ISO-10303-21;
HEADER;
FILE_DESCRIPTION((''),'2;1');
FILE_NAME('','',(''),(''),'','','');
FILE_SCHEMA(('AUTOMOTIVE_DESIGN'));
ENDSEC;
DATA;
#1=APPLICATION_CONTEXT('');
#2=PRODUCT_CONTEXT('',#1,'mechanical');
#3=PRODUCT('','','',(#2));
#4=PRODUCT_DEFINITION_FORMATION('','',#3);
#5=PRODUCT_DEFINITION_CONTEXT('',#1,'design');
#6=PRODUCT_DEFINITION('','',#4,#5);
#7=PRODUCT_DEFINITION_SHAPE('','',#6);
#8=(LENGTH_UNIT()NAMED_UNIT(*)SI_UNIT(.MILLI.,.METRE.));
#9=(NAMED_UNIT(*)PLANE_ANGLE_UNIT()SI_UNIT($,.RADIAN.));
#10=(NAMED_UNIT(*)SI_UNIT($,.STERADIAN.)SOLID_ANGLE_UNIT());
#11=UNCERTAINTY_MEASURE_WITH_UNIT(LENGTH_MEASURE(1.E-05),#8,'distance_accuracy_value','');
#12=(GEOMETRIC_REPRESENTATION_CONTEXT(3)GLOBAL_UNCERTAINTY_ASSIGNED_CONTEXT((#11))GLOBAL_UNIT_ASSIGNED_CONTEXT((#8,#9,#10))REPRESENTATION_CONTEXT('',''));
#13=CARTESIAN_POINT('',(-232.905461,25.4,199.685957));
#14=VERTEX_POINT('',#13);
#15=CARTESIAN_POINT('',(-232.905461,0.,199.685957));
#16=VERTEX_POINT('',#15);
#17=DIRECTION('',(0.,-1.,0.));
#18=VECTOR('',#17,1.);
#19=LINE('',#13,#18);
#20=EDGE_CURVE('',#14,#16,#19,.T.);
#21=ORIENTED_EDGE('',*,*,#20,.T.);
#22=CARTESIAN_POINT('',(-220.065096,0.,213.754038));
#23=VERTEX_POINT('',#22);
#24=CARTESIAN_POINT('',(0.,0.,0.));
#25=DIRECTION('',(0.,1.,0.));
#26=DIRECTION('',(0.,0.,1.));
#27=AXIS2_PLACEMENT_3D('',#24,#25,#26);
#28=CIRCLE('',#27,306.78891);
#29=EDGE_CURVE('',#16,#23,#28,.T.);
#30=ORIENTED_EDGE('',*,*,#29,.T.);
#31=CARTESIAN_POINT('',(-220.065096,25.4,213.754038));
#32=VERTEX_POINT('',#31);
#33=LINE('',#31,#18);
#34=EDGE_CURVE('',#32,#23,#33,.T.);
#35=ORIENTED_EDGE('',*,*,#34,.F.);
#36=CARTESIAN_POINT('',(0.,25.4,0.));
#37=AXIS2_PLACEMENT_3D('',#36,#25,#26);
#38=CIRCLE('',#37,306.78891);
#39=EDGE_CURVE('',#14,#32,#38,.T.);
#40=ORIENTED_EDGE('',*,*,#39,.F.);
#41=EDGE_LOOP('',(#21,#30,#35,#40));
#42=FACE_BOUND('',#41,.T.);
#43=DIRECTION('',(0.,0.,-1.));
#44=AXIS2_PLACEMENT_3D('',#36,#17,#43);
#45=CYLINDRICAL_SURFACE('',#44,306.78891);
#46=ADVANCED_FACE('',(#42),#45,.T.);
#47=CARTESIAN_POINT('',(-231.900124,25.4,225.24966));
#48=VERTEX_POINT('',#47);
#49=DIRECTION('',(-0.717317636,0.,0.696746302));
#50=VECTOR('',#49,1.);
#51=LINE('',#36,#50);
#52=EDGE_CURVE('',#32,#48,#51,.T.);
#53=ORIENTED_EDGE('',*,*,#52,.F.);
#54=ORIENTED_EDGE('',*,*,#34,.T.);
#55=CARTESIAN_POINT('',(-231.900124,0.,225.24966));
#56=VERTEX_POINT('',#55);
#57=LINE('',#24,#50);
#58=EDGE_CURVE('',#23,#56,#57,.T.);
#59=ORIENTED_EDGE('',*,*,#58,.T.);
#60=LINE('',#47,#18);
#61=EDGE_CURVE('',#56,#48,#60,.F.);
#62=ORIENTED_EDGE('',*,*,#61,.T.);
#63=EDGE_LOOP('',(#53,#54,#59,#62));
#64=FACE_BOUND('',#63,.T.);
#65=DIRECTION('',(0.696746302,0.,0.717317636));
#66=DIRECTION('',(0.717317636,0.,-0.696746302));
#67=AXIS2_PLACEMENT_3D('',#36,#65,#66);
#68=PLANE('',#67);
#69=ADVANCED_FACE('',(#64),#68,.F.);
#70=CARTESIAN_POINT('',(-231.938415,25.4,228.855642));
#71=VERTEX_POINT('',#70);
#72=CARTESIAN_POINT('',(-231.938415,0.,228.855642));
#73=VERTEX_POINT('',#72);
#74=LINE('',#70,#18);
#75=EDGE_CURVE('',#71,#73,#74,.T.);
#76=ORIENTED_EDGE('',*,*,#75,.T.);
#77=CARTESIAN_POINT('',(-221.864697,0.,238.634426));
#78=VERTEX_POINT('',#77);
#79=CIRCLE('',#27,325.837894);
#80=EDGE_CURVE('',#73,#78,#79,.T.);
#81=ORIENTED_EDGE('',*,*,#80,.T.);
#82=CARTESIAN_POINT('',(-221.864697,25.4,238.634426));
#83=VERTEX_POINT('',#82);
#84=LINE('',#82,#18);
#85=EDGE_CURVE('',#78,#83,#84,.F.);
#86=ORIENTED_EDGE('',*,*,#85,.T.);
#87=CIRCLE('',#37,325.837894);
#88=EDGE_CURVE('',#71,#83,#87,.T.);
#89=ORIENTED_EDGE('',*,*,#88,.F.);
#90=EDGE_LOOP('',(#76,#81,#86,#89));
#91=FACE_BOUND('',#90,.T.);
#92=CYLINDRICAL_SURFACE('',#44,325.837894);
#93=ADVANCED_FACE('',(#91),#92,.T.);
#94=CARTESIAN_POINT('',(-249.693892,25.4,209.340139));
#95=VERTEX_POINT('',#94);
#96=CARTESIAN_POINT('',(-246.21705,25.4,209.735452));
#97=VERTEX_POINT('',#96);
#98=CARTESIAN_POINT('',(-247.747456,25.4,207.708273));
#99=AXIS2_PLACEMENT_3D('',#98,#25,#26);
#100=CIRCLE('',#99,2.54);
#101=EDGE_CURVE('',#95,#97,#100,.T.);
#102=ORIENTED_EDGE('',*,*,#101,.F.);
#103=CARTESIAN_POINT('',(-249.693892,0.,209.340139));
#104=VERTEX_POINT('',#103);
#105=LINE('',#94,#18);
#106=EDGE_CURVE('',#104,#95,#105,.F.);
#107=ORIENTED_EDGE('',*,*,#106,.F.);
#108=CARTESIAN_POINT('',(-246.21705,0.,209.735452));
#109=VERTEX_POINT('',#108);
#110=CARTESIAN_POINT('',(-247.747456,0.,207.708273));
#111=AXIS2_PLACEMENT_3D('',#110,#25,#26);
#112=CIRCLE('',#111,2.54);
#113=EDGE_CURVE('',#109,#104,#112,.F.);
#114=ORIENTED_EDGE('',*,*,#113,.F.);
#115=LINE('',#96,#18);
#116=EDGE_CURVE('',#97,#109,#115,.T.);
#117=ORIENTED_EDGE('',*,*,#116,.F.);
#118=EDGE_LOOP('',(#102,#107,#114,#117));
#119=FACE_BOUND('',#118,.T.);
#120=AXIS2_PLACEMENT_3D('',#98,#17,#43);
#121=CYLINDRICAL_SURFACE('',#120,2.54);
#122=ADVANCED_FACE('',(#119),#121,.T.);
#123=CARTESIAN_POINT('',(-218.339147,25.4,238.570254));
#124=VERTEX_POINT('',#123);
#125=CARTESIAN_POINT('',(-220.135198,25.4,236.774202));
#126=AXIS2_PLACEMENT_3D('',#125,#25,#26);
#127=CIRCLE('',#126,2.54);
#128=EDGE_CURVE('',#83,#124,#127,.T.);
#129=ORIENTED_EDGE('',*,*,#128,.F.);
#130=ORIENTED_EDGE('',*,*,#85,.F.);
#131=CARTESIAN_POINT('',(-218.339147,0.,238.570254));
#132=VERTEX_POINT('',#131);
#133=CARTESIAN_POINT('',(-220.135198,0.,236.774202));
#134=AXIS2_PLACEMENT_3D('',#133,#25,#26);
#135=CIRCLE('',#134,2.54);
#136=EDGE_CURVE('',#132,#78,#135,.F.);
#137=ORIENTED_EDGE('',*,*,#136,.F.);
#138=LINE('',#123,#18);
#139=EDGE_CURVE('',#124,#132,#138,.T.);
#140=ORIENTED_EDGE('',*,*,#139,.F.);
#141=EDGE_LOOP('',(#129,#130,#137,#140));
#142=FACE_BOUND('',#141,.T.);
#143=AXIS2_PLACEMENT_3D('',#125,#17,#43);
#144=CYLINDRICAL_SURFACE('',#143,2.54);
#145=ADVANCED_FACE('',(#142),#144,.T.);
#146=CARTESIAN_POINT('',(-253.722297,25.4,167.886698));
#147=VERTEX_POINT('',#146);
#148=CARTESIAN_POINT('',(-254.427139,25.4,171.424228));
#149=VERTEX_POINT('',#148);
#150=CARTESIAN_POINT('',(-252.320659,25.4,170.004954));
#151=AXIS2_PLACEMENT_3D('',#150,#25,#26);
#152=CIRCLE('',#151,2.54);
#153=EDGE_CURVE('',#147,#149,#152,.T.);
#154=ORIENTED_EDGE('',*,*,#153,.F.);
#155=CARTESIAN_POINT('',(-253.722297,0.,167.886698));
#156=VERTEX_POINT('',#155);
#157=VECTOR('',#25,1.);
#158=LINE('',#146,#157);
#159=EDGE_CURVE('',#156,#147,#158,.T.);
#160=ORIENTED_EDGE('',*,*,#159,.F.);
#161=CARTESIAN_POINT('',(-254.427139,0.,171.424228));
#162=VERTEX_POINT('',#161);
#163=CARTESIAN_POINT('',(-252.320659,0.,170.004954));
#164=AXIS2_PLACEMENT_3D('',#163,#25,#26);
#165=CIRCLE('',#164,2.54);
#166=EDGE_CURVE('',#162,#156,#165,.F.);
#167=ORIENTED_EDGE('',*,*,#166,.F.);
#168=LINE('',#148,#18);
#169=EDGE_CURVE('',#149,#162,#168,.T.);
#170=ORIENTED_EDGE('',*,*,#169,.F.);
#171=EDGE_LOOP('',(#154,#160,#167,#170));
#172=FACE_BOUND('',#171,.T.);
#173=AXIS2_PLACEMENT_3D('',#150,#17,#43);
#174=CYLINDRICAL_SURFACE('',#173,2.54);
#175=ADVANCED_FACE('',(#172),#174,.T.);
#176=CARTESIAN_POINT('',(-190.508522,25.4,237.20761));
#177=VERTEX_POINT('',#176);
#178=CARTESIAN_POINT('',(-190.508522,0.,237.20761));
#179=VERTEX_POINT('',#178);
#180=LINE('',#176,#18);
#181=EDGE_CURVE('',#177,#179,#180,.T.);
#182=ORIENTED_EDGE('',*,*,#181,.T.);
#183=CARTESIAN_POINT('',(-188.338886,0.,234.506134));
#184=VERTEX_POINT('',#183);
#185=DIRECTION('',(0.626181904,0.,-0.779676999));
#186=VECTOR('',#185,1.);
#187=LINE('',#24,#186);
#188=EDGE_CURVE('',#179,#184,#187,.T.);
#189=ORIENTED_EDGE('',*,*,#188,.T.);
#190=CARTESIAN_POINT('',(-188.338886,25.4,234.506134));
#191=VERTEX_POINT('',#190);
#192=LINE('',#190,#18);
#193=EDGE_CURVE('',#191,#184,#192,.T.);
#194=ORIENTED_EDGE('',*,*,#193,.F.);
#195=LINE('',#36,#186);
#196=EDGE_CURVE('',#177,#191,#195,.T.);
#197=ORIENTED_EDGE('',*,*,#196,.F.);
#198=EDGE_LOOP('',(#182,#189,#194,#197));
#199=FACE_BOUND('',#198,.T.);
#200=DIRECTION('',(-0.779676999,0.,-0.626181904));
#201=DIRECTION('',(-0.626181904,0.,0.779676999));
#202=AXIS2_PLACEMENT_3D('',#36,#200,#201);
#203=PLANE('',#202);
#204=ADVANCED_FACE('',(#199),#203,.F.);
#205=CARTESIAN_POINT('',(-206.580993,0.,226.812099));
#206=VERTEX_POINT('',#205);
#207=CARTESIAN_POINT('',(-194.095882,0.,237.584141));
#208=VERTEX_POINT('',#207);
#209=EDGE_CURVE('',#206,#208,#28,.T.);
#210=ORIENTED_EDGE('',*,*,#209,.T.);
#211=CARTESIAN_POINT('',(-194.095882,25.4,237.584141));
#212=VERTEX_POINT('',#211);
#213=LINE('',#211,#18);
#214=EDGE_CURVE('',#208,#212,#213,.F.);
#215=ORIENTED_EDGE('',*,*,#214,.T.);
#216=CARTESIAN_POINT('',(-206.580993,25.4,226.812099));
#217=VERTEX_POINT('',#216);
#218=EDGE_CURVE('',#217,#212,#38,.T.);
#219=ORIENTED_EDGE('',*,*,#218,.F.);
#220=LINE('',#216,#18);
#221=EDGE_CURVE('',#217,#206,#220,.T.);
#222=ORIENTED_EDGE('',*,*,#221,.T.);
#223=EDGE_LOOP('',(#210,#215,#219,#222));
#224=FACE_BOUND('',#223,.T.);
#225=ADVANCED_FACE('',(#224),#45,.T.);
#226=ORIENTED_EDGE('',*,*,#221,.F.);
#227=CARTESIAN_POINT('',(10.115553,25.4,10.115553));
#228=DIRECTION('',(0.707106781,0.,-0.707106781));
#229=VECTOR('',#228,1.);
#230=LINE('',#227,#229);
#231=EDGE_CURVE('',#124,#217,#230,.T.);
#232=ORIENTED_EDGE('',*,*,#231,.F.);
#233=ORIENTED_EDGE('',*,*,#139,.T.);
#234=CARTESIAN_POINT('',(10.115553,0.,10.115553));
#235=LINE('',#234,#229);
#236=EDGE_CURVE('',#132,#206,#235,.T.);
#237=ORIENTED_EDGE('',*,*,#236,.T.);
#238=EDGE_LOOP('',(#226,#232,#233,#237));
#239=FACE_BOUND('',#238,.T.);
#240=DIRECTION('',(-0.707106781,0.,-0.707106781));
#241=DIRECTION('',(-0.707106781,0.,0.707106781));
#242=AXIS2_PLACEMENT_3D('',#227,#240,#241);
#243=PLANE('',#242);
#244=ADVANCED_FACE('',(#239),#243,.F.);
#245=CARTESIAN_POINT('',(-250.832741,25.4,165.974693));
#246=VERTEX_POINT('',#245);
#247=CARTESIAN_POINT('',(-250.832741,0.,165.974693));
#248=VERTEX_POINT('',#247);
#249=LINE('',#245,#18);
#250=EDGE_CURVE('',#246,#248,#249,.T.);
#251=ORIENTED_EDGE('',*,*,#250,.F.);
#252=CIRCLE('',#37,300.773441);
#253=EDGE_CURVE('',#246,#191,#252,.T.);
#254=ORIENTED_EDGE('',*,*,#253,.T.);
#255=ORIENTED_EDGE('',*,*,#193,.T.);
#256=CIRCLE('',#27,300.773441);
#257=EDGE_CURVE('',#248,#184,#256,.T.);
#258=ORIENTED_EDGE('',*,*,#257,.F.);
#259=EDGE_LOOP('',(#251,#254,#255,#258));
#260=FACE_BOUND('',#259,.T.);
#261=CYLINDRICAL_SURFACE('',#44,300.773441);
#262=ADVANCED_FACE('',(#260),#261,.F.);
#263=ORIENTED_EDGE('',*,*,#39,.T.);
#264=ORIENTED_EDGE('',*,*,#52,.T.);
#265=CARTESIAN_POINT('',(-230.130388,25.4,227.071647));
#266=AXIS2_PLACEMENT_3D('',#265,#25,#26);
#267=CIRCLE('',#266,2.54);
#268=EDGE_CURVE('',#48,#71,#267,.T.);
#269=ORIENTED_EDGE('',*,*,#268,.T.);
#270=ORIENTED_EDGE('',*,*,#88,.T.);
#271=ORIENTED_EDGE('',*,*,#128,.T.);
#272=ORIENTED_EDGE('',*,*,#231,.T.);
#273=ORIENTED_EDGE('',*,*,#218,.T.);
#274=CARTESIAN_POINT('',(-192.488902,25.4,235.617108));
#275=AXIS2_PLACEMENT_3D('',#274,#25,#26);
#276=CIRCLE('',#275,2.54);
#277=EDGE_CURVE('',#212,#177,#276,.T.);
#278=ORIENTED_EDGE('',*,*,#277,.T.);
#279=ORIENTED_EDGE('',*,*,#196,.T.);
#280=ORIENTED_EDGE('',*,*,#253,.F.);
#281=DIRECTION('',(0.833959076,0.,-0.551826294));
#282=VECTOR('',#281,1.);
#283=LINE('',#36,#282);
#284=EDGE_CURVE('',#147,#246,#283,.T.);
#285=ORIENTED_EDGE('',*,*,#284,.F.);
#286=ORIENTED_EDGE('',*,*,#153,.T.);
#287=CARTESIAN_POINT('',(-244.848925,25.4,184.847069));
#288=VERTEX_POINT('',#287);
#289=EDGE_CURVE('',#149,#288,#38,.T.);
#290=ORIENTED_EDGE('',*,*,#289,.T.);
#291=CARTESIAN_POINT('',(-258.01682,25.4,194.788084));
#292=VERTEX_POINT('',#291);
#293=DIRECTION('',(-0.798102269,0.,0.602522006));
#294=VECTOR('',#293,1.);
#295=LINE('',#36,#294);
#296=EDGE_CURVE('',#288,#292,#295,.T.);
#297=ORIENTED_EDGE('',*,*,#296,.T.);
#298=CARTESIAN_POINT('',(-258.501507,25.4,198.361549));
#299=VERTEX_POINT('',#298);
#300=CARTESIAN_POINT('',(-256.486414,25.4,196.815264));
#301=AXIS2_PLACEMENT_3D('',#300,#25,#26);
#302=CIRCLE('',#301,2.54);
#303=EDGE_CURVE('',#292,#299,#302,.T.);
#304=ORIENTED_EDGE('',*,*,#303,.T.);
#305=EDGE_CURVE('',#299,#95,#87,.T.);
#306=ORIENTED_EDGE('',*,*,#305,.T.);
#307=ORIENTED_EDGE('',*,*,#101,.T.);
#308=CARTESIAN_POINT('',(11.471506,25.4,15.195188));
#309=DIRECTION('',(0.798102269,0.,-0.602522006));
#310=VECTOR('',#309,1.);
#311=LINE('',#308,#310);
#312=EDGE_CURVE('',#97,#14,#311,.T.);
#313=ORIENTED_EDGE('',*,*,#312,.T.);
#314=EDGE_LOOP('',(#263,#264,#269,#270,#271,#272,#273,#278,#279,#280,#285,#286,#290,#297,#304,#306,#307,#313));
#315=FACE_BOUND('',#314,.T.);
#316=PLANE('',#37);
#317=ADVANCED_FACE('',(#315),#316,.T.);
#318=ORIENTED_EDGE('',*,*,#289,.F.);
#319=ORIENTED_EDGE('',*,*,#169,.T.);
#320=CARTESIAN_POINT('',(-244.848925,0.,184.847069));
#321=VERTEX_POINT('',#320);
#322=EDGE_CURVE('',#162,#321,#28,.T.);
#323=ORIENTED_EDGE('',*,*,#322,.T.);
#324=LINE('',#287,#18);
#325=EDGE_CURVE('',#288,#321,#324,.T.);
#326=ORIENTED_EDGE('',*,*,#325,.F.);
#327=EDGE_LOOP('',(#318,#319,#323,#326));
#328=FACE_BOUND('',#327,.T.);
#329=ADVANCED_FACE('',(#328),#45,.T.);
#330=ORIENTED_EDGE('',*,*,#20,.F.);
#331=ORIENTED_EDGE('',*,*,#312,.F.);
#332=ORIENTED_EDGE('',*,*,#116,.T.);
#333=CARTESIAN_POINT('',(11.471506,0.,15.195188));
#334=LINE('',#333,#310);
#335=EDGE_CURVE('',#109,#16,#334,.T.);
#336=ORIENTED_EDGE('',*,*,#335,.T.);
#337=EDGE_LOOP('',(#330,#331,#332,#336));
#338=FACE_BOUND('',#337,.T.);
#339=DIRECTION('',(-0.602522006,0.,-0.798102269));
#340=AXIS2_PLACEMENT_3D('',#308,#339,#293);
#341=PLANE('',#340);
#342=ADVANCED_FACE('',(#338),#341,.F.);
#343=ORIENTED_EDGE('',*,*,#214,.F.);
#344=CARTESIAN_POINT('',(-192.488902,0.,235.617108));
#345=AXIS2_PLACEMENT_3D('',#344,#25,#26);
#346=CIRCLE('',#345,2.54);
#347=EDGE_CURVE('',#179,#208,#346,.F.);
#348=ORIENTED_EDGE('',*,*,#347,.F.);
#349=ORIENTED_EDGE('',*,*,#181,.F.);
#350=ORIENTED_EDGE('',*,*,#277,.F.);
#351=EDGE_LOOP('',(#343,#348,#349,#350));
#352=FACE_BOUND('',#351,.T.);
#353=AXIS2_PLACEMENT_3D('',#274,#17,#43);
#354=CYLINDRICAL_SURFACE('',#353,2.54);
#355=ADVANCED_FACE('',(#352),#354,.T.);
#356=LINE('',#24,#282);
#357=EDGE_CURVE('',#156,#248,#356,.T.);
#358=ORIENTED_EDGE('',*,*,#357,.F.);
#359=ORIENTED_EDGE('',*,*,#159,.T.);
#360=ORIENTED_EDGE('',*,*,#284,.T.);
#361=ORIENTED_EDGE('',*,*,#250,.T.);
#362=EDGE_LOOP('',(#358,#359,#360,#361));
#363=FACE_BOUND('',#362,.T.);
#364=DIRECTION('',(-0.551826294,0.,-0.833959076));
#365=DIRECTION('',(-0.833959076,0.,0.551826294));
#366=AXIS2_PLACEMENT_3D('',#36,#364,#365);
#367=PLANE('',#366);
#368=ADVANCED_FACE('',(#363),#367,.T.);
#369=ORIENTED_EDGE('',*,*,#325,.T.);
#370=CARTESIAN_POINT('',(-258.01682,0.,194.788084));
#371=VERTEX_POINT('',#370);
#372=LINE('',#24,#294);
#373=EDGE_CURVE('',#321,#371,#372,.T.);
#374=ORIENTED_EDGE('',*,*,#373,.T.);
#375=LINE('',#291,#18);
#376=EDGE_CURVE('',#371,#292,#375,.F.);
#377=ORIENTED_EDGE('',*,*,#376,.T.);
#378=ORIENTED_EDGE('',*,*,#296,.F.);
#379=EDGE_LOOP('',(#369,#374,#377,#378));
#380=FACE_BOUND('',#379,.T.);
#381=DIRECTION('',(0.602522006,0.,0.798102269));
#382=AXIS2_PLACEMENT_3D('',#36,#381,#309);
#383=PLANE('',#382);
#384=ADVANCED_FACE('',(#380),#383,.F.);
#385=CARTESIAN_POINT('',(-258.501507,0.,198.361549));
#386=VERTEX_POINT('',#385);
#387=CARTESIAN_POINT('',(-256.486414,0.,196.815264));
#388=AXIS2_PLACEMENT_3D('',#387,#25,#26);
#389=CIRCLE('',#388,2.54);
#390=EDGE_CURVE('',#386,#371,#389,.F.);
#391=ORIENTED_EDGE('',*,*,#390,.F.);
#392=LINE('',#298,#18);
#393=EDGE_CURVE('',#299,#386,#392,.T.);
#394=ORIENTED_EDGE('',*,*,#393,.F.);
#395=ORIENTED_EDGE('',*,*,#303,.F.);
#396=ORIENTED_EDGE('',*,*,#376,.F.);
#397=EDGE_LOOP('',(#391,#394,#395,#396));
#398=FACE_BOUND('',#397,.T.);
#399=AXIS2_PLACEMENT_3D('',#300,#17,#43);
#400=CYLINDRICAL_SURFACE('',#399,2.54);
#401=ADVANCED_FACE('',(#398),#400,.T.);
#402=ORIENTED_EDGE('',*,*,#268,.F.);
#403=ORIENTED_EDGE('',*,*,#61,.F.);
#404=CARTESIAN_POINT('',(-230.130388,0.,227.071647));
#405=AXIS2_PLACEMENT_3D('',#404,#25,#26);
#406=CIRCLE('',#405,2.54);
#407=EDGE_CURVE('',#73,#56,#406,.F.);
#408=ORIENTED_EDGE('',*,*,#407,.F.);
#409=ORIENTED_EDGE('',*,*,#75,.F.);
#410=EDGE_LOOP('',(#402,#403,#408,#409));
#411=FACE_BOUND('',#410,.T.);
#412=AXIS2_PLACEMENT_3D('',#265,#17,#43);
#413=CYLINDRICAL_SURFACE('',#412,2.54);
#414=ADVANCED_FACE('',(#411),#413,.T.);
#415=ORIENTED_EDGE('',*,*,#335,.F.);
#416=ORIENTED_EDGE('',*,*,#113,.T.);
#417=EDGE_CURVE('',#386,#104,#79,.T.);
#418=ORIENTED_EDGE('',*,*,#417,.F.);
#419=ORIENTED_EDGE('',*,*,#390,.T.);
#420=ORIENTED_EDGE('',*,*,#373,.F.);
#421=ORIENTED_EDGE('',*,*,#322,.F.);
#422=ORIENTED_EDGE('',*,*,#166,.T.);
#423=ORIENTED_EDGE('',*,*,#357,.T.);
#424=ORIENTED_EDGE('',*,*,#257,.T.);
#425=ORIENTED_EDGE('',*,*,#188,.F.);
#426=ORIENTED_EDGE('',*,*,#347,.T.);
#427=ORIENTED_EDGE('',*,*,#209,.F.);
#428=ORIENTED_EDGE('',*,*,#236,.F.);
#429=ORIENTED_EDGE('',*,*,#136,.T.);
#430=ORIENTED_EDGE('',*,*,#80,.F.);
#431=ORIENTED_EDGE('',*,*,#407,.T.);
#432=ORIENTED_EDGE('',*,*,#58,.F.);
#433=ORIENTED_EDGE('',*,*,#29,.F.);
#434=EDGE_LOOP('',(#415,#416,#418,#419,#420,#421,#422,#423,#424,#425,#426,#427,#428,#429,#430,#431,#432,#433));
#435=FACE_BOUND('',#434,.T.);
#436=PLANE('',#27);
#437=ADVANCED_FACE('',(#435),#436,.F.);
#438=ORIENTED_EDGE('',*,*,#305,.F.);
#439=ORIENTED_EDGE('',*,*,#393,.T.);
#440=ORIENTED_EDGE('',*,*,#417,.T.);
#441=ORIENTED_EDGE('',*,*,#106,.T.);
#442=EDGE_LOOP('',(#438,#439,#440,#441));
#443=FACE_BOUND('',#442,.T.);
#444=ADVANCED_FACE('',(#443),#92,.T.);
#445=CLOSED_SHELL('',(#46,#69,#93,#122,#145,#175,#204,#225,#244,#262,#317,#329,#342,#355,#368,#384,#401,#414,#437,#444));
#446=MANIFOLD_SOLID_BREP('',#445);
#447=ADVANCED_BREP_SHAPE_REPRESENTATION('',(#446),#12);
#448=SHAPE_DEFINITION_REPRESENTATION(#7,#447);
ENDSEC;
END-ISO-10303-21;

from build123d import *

# Parameters (mm, degrees)
BOSS_EXTRUDE1_DEPTH = 25.4
FILLET1_R           = 2.54


with BuildPart() as part:
    # Sketch1 → Boss-Extrude1 (new body)
    with BuildSketch(Plane(origin=(0, 0, 0), x_dir=(1, 0, 0), z_dir=(0, 1, 0))):
        with BuildLine():
            Line((-244.848924974, -184.847069368), (-240.047965661, -181.222617027))
            ThreePointArc((-240.047965661, -181.222617027), (-245.558733938, -173.682385194), (-250.832740903, -165.974693346))
            Line((-250.832740903, -165.974693346), (-255.849395721, -169.294187212))
            ThreePointArc((-255.849395721, -169.294187212), (-250.469908617, -177.156032898), (-244.848924974, -184.847069368))
        make_face()
        with BuildLine():
            ThreePointArc((-232.905461186, -199.685956603), (-238.99238799, -192.359230601), (-244.848924974, -184.847069368))
            Line((-244.848924974, -184.847069368), (-260.051962799, -196.32450178))
            ThreePointArc((-260.051962799, -196.32450178), (-254.20265496, -203.841466748), (-248.136139057, -211.184255684))
            Line((-248.136139057, -211.184255684), (-232.905461186, -199.685956603))
        make_face()
        with BuildLine():
            ThreePointArc((-215.750093665, -209.562782535), (-228.339131483, -195.770027772), (-240.047965661, -181.222617027))
            Line((-240.047965661, -181.222617027), (-244.848924974, -184.847069368))
            ThreePointArc((-244.848924974, -184.847069368), (-238.99238799, -192.359230601), (-232.905461186, -199.685956603))
            ThreePointArc((-232.905461186, -199.685956603), (-226.594481496, -206.819670414), (-220.065095538, -213.754038186))
            Line((-220.065095538, -213.754038186), (-215.750093665, -209.562782535))
        make_face()
        with BuildLine():
            ThreePointArc((-206.580992956, -226.812099466), (-213.422935618, -220.386219322), (-220.065095538, -213.754038186))
            Line((-220.065095538, -213.754038186), (-233.729268137, -227.026347746))
            ThreePointArc((-233.729268137, -227.026347746), (-226.993847652, -233.760831798), (-220.064468162, -240.295574672))
            Line((-220.064468162, -240.295574672), (-206.580992956, -226.812099466))
        make_face()
        with BuildLine():
            ThreePointArc((-202.530385251, -222.364803398), (-209.238172175, -216.064920904), (-215.750093665, -209.562782535))
            Line((-215.750093665, -209.562782535), (-220.065095538, -213.754038186))
            ThreePointArc((-220.065095538, -213.754038186), (-213.422935618, -220.386219322), (-206.580992956, -226.812099466))
            Line((-206.580992956, -226.812099466), (-202.530385251, -222.364803398))
        make_face()
        with BuildLine():
            ThreePointArc((-188.338885995, -234.506133741), (-195.528897549, -228.545647439), (-202.530385251, -222.364803398))
            Line((-202.530385251, -222.364803398), (-206.580992956, -226.812099466))
            ThreePointArc((-206.580992956, -226.812099466), (-199.4394755, -233.116560388), (-192.105663715, -239.196256416))
            Line((-192.105663715, -239.196256416), (-188.338885995, -234.506133741))
        make_face()
    extrude(amount=BOSS_EXTRUDE1_DEPTH)

    # Fillet1
    fillet1_edges = [part.edges().sort_by_distance(p)[0] for p in [
        (-192.105663715, 12.7, 239.196256416),
        (-220.064468162, 12.7, 240.295574672),
        (-233.729268137, 12.7, 227.026347746),
        (-248.136139057, 12.7, 211.184255684),
        (-260.051962799, 12.7, 196.32450178),
        (-255.849395721, 12.7, 169.294187212),
    ]]
    fillet(fillet1_edges, radius=FILLET1_R)


solid = part.part
